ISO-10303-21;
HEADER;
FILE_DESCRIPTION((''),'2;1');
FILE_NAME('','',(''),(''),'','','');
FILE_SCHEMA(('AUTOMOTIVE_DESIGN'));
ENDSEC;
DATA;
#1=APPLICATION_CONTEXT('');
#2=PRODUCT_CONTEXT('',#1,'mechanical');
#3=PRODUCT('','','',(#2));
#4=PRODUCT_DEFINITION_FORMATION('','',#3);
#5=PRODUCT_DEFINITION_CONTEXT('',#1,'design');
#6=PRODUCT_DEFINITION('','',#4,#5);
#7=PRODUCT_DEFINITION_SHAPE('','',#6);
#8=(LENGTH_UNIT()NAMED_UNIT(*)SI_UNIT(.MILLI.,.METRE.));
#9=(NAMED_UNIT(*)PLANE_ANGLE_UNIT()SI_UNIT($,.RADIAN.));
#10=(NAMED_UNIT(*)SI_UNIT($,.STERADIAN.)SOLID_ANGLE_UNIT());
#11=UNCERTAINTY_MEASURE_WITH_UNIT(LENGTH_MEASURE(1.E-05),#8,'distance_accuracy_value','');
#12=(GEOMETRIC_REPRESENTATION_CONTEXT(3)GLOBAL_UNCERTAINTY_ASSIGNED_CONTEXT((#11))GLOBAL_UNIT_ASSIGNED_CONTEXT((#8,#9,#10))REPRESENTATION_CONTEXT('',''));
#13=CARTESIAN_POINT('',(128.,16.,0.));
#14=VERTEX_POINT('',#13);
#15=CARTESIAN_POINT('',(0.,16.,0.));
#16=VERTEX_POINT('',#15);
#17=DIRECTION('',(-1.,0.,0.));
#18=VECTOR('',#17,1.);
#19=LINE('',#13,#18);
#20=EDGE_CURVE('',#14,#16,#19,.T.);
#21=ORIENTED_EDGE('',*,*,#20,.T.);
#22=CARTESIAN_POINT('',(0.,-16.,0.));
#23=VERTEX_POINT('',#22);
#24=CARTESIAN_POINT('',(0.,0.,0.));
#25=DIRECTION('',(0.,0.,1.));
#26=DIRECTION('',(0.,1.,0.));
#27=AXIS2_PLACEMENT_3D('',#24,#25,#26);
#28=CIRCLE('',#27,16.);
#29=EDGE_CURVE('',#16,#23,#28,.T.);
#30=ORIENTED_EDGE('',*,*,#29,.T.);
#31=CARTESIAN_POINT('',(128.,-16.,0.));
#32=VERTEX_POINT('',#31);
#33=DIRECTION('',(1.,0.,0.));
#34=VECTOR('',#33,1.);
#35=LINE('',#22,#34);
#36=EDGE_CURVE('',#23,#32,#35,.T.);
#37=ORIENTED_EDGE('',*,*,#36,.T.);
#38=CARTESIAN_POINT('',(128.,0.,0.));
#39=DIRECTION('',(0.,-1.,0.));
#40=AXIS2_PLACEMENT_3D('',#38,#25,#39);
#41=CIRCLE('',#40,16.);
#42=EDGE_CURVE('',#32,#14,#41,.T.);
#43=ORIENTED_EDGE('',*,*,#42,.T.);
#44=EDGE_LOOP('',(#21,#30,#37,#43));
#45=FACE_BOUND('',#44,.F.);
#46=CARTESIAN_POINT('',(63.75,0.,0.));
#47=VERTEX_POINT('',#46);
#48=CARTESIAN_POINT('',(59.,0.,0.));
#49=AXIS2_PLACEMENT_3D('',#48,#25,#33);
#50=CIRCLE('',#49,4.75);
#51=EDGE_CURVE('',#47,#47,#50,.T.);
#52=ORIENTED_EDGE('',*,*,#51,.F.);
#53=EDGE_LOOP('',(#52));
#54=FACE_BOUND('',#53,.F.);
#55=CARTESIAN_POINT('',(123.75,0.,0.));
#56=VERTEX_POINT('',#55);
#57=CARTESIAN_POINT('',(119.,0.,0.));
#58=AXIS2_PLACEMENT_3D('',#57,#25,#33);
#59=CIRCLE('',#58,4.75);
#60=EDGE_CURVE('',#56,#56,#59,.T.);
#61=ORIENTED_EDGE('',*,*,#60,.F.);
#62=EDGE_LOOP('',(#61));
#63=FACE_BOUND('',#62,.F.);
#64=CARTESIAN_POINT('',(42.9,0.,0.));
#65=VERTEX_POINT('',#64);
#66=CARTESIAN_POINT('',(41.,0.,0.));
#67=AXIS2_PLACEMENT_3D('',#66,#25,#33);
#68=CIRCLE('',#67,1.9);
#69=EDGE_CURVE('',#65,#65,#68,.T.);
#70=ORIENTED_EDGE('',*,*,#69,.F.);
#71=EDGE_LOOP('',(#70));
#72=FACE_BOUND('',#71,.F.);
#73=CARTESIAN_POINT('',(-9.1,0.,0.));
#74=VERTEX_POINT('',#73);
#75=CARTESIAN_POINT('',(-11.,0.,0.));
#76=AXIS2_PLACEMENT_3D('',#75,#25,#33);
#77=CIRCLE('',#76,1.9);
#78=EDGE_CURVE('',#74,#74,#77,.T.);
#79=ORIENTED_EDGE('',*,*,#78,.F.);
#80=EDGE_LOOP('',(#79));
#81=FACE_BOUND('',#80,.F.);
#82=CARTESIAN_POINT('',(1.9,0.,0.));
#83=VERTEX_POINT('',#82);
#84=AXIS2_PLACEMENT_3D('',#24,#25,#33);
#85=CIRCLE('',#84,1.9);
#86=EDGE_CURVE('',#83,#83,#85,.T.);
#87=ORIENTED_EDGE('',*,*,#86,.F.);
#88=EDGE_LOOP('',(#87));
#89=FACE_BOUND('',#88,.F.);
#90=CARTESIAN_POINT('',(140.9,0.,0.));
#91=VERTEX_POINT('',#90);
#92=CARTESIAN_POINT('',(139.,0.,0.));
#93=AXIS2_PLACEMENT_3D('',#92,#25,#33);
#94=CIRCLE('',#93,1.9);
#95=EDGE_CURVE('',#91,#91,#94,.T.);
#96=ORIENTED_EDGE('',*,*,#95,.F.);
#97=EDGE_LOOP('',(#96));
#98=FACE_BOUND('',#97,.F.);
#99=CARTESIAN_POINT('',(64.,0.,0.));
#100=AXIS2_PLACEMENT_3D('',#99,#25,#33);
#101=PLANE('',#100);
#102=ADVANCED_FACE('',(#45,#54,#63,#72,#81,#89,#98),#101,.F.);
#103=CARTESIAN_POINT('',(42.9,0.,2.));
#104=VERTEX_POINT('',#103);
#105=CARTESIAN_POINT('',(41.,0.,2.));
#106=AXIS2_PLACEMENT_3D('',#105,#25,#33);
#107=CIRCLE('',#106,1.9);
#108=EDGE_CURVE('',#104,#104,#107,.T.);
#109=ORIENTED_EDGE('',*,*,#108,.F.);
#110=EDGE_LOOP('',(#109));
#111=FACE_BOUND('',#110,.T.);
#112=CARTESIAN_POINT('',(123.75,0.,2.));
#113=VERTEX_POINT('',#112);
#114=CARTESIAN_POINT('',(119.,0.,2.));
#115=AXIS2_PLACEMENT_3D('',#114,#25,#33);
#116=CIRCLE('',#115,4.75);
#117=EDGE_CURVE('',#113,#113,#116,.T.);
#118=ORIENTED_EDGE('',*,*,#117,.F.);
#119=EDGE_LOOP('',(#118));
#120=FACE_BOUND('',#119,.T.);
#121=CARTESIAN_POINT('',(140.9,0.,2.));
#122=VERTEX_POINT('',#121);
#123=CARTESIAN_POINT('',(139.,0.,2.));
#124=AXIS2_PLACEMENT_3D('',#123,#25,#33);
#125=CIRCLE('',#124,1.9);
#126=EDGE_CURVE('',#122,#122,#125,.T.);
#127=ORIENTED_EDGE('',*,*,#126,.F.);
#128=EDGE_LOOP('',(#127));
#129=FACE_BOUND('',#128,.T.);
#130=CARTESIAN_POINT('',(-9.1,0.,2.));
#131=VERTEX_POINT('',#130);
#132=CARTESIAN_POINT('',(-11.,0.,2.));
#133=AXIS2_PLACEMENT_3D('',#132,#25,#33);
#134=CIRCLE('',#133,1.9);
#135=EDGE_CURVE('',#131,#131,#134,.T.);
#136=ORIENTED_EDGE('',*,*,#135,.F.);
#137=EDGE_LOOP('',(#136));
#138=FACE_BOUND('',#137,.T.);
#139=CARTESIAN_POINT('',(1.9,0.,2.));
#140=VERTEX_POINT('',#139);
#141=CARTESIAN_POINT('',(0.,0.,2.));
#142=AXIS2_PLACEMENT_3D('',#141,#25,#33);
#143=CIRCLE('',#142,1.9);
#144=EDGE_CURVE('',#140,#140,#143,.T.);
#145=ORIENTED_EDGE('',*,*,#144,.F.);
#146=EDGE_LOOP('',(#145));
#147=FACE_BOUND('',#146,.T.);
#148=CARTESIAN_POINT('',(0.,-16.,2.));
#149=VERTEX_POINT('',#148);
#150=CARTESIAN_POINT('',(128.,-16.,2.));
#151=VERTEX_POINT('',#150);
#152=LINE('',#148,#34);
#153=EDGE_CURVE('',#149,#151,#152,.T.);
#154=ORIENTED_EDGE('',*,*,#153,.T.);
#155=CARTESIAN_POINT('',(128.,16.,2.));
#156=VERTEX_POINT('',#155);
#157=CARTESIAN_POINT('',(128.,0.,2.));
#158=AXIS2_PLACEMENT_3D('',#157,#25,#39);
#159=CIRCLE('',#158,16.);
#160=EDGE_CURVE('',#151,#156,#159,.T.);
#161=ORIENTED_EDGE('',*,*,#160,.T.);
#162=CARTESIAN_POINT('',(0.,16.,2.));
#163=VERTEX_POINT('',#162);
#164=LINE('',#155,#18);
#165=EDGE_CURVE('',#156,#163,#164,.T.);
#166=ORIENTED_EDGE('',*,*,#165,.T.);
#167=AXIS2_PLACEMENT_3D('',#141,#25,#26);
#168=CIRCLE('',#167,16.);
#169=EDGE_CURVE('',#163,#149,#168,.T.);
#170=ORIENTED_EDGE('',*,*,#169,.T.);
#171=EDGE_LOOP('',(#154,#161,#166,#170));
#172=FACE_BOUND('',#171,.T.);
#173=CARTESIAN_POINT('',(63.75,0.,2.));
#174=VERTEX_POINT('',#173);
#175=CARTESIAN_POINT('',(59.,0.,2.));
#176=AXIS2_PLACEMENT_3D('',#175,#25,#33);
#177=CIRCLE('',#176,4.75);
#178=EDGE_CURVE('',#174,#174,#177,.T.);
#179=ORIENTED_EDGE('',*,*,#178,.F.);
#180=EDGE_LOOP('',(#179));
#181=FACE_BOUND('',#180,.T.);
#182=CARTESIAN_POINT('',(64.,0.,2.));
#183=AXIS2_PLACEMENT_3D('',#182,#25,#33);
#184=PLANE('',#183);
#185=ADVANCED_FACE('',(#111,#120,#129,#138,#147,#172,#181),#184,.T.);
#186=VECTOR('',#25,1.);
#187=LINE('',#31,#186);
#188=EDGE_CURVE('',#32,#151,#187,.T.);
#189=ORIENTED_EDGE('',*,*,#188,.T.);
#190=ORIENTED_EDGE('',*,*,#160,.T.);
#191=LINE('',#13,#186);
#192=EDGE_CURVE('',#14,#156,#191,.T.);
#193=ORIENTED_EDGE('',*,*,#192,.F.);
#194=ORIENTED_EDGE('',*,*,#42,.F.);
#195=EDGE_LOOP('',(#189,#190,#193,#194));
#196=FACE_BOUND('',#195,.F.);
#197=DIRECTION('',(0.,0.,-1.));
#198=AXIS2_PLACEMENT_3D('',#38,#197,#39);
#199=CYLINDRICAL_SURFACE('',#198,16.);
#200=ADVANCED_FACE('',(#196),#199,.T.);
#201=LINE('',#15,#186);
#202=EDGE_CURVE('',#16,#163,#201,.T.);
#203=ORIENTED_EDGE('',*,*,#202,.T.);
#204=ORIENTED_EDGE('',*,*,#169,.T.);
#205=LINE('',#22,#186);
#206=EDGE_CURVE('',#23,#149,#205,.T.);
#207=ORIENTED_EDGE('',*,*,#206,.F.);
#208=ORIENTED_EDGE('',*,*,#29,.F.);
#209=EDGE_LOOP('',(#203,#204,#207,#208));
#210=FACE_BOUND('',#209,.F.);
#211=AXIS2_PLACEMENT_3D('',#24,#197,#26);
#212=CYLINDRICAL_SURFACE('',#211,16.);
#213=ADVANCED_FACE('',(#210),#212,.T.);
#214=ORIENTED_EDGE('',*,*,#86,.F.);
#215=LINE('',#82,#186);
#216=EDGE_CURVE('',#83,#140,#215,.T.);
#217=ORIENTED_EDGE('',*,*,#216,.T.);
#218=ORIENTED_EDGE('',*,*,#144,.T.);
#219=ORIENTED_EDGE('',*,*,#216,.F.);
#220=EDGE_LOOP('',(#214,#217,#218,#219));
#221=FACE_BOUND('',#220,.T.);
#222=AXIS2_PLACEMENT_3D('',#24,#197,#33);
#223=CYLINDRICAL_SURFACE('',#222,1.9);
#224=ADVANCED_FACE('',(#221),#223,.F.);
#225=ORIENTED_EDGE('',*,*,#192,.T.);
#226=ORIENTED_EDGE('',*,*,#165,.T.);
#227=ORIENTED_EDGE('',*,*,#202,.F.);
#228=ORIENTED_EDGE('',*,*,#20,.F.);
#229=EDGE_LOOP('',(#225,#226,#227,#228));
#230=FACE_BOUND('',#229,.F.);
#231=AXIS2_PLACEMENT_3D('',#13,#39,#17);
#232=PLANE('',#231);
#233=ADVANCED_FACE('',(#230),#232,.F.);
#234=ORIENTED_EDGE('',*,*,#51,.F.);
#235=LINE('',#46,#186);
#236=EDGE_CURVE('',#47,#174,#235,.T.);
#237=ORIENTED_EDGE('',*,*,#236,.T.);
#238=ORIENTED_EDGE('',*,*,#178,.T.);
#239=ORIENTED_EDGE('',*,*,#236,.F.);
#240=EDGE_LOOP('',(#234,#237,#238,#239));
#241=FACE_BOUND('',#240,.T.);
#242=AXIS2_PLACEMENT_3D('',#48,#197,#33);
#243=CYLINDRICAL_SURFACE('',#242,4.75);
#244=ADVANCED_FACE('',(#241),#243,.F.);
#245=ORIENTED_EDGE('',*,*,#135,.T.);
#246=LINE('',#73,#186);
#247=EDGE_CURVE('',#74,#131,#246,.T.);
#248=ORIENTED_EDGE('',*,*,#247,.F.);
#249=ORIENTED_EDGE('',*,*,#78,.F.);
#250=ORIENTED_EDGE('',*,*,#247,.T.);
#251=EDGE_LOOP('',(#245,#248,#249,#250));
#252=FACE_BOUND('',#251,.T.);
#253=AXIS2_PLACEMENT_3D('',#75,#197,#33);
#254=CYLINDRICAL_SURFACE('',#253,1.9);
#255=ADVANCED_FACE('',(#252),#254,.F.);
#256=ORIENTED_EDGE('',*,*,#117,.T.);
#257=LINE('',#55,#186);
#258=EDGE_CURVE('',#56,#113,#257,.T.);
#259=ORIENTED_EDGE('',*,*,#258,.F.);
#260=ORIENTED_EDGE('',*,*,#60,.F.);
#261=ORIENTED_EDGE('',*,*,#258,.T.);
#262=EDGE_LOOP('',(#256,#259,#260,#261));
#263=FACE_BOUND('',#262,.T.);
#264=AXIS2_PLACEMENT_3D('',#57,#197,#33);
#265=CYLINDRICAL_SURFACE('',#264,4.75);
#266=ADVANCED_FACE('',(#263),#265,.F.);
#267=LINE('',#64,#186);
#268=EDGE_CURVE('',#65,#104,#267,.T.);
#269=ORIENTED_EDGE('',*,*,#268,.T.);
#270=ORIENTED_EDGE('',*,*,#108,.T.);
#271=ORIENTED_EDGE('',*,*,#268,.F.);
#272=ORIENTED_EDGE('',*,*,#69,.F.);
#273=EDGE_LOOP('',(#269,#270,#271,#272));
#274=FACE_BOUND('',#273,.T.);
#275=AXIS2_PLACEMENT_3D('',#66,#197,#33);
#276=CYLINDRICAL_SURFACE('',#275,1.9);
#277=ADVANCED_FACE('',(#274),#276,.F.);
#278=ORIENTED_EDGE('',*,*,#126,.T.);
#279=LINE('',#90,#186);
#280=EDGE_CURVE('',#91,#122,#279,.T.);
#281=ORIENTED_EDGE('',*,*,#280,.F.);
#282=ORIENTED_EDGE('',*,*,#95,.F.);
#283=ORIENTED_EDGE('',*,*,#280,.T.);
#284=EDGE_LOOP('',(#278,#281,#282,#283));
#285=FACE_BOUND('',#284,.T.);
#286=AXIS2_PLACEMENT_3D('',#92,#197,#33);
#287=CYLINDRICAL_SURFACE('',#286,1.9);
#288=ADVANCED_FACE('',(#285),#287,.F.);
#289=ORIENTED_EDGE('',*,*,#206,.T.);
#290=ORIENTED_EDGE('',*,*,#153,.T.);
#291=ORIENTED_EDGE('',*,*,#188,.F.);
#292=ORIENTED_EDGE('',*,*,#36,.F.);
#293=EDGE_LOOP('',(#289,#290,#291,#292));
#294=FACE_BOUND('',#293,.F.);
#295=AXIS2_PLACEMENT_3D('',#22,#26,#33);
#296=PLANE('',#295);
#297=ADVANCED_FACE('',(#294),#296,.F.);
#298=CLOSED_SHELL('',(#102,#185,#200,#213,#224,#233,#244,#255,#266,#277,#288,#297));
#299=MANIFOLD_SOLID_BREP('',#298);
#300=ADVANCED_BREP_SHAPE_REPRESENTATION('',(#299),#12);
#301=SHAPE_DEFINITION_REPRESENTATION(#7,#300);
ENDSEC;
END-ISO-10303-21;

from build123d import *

# Parameters (mm, degrees)
F0_R     = 1.9
F0_R_2   = 4.75
F1_DEPTH = 2


with BuildPart() as f1:
    # F0 (on Top) → F1 (new body)
    with BuildSketch(Plane.XY):
        with BuildLine():
            Line((128, 16), (0, 16))
            ThreePointArc((0, 16), (-16, 0), (0, -16))
            Line((0, -16), (128, -16))
            ThreePointArc((128, -16), (144, 0), (128, 16))
        make_face()
        with Locations((-11, 0)):
            Circle(F0_R, mode=Mode.SUBTRACT)
        Circle(F0_R, mode=Mode.SUBTRACT)
        with Locations((41, 0)):
            Circle(F0_R, mode=Mode.SUBTRACT)
        with Locations((59, 0)):
            Circle(F0_R_2, mode=Mode.SUBTRACT)
        with Locations((119, 0)):
            Circle(F0_R_2, mode=Mode.SUBTRACT)
        with Locations((139, 0)):
            Circle(F0_R, mode=Mode.SUBTRACT)
    extrude(amount=F1_DEPTH)


solid = f1.part
